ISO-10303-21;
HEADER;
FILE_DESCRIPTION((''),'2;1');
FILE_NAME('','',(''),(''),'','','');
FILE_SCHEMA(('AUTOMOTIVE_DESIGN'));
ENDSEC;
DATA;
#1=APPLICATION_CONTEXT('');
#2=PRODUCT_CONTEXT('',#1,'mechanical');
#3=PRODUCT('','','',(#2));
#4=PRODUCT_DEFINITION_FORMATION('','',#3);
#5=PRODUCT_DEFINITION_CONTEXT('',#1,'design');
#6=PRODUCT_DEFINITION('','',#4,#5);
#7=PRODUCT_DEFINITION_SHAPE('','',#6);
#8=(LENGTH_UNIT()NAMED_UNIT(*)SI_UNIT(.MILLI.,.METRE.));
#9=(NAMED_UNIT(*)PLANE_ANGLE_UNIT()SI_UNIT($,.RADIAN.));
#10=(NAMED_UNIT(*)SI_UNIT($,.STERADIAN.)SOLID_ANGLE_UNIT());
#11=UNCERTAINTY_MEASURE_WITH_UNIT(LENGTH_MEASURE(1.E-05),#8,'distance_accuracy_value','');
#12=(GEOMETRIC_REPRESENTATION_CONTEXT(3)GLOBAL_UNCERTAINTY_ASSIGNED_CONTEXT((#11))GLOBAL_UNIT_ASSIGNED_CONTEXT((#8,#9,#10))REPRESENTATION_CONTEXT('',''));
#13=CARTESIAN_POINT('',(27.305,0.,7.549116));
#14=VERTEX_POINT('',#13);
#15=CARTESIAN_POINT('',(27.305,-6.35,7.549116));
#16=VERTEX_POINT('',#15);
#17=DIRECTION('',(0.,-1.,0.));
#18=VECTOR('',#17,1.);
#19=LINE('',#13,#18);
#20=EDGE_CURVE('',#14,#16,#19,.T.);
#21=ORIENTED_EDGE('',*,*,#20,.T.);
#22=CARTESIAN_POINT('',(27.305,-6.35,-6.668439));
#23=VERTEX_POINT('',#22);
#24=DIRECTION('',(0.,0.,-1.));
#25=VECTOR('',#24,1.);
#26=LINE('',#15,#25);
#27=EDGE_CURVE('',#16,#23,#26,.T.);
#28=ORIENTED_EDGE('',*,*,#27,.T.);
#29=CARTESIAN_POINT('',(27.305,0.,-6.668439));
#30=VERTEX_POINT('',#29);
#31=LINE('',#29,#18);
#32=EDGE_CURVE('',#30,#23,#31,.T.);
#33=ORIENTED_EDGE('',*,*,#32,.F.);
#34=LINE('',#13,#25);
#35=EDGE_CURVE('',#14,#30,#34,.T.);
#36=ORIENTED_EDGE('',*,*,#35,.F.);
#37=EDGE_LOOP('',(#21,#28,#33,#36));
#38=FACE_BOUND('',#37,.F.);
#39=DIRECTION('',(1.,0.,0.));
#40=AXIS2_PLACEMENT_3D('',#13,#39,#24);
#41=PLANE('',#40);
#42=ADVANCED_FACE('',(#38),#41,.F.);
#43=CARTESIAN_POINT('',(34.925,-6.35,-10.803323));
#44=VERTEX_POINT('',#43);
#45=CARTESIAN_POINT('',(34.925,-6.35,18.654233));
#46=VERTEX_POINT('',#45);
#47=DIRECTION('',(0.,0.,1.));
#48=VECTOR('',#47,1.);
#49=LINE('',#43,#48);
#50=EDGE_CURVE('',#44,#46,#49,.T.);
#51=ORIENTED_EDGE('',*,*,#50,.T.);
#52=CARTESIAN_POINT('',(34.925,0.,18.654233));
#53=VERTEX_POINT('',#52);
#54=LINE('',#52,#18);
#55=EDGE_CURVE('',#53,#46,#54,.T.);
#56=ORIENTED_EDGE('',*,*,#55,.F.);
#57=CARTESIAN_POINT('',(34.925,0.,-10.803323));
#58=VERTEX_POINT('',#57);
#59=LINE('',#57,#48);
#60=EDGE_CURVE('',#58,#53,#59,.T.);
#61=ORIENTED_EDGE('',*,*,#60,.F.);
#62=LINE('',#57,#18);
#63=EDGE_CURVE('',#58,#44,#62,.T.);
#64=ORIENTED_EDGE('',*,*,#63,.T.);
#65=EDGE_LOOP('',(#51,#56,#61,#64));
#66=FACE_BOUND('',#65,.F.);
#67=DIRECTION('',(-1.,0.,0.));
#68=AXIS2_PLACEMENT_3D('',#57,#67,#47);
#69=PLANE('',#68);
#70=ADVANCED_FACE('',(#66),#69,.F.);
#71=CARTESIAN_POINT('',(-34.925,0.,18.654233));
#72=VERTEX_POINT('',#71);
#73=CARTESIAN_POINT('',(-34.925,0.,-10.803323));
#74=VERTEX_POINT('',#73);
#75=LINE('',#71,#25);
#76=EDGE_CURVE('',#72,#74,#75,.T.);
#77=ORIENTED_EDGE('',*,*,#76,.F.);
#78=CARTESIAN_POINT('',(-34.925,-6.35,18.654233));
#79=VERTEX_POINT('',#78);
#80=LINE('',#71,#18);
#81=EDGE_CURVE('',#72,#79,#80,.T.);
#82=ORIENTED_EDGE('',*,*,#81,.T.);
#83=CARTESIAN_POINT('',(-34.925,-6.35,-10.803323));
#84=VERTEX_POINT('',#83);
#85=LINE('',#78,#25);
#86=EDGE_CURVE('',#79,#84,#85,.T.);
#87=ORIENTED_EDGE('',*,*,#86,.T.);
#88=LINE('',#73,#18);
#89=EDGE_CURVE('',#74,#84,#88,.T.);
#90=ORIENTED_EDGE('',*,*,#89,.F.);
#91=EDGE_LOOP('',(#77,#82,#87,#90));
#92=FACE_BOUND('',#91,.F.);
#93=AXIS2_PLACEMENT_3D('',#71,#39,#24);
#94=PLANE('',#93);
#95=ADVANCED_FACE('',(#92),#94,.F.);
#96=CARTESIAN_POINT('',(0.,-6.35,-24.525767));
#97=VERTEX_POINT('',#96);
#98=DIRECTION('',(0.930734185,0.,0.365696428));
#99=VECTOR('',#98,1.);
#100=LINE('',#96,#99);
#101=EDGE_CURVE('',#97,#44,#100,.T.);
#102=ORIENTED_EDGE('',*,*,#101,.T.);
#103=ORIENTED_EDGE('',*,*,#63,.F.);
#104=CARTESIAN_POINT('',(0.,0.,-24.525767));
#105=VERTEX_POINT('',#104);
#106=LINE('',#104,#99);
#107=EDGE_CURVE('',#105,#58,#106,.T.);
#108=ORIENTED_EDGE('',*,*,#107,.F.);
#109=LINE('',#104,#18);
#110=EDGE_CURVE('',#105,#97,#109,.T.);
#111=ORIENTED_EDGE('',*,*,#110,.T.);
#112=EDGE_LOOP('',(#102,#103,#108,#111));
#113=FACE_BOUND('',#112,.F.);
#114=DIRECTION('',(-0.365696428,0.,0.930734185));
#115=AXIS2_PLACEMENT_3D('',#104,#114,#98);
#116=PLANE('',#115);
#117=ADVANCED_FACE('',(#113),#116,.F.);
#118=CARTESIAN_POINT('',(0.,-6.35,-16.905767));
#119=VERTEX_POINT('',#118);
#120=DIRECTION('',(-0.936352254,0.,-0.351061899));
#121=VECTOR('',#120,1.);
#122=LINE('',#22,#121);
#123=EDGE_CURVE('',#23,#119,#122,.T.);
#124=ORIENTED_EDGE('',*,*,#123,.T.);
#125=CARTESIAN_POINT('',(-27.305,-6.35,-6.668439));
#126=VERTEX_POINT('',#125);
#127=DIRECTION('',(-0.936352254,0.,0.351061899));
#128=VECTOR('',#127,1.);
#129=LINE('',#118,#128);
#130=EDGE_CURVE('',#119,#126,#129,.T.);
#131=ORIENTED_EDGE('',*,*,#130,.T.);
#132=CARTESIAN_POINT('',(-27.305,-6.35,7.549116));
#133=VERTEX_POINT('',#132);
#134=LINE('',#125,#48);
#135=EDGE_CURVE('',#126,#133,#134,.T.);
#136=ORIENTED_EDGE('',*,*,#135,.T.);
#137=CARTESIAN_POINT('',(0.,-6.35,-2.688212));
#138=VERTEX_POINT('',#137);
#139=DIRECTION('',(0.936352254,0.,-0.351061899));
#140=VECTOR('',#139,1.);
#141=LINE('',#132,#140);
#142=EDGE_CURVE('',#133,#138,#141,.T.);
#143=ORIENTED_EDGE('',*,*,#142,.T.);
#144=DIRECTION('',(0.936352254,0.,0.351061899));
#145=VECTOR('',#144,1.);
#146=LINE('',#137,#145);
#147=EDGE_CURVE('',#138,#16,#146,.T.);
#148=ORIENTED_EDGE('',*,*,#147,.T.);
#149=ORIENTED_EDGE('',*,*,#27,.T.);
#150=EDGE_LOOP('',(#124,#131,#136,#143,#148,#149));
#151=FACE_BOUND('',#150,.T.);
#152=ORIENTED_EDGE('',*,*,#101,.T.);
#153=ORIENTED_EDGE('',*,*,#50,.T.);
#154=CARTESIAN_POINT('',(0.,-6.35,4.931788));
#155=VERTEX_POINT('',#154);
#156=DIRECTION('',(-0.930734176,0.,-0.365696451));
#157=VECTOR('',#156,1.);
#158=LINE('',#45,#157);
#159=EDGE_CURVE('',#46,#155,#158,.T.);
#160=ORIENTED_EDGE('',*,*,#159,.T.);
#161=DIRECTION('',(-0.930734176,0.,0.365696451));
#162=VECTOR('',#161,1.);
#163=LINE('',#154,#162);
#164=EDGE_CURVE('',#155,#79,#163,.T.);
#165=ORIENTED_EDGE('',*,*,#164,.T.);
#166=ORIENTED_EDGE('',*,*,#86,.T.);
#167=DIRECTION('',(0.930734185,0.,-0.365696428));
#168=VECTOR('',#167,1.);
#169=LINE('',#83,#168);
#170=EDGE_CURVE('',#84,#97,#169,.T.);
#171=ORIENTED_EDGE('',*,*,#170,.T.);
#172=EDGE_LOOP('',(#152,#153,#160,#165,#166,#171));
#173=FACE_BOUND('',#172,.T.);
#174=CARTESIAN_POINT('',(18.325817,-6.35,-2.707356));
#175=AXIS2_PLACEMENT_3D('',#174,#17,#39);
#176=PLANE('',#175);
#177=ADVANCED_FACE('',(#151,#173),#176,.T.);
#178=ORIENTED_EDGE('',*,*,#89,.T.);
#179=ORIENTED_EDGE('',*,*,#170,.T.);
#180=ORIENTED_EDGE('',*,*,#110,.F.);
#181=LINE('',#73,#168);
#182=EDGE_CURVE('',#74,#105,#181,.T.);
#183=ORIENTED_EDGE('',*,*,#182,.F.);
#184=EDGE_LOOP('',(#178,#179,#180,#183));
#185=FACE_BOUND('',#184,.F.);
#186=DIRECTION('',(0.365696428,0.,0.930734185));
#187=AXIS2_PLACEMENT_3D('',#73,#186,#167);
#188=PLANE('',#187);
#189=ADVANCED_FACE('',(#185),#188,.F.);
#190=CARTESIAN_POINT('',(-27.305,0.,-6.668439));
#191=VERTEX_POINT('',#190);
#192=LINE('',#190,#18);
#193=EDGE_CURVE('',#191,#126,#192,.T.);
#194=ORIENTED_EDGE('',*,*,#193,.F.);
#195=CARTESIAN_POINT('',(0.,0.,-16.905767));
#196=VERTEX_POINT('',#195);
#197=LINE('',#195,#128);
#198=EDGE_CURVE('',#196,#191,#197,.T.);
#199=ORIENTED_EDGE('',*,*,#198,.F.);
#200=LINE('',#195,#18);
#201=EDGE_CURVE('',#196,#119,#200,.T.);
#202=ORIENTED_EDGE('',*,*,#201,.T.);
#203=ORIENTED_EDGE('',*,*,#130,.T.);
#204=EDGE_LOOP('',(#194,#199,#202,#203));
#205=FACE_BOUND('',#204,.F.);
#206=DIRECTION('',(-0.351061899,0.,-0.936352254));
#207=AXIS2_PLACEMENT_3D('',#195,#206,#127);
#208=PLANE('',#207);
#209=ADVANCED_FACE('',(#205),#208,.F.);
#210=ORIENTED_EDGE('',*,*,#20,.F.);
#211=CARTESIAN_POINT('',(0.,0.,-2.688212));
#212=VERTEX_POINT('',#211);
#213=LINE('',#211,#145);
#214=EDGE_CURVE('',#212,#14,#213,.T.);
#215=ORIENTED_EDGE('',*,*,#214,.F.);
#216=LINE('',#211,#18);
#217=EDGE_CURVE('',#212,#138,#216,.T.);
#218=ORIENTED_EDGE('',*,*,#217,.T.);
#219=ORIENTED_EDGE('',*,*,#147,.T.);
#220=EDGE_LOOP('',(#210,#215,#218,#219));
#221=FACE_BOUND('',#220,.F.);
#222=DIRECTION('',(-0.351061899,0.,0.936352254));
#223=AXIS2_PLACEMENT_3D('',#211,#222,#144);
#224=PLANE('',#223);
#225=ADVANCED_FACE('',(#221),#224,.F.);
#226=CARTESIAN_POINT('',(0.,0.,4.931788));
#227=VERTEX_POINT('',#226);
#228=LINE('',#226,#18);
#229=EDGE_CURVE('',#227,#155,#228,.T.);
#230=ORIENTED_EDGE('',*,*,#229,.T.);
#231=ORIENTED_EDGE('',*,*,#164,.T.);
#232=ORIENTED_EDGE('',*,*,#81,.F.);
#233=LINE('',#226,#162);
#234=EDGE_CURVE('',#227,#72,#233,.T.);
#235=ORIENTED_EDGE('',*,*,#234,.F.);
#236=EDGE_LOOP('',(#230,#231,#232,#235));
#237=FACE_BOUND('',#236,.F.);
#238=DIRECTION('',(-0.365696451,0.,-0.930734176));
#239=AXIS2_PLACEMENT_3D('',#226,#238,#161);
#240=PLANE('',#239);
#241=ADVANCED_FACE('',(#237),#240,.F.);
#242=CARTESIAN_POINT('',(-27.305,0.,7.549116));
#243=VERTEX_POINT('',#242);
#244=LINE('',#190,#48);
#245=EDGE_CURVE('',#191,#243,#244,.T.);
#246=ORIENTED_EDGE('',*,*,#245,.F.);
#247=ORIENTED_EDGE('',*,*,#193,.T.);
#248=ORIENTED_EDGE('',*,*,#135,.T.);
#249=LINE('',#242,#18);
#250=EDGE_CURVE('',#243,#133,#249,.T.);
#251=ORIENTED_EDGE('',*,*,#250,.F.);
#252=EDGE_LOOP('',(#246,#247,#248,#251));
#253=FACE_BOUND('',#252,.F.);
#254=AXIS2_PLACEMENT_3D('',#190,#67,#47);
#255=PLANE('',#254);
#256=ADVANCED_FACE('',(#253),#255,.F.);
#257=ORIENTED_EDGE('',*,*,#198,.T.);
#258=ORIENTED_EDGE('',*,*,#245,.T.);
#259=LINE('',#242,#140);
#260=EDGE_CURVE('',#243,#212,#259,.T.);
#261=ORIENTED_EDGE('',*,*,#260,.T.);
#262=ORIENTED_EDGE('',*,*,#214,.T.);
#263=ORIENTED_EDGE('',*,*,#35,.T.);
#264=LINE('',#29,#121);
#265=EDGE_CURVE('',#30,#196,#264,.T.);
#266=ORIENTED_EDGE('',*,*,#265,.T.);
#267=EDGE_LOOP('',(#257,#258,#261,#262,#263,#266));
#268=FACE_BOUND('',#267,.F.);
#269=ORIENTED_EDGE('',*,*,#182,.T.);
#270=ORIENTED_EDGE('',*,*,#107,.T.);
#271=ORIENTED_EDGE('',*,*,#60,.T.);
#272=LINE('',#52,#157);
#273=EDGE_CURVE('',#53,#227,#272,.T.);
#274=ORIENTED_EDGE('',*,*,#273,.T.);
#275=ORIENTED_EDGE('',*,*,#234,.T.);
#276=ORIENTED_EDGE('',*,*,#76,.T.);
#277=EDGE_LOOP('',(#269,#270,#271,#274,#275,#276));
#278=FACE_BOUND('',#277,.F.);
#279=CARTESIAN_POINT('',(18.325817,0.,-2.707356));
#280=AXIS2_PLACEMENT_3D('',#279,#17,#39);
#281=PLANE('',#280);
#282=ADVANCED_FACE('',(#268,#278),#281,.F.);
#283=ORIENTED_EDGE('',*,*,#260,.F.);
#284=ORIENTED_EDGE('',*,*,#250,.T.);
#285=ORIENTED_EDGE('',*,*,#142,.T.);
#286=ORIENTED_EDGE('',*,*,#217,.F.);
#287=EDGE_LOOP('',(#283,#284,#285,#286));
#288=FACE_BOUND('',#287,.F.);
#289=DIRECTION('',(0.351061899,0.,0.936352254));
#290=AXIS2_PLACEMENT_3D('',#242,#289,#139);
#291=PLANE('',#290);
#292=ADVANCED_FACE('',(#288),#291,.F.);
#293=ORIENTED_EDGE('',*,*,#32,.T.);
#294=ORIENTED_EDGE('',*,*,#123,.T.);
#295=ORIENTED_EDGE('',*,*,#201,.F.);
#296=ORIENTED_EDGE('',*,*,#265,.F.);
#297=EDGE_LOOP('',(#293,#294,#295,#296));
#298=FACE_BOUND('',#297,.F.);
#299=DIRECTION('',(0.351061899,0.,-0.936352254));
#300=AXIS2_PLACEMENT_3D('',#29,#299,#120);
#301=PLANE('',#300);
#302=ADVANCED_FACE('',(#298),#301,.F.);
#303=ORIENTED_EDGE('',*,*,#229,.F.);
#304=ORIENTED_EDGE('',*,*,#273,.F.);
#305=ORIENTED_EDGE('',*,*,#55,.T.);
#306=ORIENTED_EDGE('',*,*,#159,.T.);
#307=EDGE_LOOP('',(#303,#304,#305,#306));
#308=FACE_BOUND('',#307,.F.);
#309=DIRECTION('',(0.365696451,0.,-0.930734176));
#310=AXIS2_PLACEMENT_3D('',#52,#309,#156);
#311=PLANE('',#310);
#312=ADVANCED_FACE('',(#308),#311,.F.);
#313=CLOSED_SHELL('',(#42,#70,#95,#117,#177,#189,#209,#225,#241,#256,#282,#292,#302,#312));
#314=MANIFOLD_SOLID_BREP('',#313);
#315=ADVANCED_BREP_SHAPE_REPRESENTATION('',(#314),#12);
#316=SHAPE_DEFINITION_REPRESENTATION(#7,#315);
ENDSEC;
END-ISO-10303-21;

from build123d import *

# Parameters (mm, degrees)
F1_DEPTH = 6.35


with BuildPart() as f1:
    # F0 (on Front) → F1 (new body)
    with BuildSketch(Plane.XZ):
        Polygon((34.925, 18.654233), (0, 4.931788), (0, 0), (0, -2.688212), (27.305, 7.549116), (27.305, -6.668439), (0, -16.905767), (0, -24.525767), (34.925, -10.803323), align=None)
        Polygon((0, 0), (0, 4.931788), (-34.925, 18.654233), (-34.925, -10.803323), (0, -24.525767), (0, -16.905767), (-27.305, -6.668439), (-27.305, 7.549116), (0, -2.688212), align=None)
    extrude(amount=F1_DEPTH)


solid = f1.part
